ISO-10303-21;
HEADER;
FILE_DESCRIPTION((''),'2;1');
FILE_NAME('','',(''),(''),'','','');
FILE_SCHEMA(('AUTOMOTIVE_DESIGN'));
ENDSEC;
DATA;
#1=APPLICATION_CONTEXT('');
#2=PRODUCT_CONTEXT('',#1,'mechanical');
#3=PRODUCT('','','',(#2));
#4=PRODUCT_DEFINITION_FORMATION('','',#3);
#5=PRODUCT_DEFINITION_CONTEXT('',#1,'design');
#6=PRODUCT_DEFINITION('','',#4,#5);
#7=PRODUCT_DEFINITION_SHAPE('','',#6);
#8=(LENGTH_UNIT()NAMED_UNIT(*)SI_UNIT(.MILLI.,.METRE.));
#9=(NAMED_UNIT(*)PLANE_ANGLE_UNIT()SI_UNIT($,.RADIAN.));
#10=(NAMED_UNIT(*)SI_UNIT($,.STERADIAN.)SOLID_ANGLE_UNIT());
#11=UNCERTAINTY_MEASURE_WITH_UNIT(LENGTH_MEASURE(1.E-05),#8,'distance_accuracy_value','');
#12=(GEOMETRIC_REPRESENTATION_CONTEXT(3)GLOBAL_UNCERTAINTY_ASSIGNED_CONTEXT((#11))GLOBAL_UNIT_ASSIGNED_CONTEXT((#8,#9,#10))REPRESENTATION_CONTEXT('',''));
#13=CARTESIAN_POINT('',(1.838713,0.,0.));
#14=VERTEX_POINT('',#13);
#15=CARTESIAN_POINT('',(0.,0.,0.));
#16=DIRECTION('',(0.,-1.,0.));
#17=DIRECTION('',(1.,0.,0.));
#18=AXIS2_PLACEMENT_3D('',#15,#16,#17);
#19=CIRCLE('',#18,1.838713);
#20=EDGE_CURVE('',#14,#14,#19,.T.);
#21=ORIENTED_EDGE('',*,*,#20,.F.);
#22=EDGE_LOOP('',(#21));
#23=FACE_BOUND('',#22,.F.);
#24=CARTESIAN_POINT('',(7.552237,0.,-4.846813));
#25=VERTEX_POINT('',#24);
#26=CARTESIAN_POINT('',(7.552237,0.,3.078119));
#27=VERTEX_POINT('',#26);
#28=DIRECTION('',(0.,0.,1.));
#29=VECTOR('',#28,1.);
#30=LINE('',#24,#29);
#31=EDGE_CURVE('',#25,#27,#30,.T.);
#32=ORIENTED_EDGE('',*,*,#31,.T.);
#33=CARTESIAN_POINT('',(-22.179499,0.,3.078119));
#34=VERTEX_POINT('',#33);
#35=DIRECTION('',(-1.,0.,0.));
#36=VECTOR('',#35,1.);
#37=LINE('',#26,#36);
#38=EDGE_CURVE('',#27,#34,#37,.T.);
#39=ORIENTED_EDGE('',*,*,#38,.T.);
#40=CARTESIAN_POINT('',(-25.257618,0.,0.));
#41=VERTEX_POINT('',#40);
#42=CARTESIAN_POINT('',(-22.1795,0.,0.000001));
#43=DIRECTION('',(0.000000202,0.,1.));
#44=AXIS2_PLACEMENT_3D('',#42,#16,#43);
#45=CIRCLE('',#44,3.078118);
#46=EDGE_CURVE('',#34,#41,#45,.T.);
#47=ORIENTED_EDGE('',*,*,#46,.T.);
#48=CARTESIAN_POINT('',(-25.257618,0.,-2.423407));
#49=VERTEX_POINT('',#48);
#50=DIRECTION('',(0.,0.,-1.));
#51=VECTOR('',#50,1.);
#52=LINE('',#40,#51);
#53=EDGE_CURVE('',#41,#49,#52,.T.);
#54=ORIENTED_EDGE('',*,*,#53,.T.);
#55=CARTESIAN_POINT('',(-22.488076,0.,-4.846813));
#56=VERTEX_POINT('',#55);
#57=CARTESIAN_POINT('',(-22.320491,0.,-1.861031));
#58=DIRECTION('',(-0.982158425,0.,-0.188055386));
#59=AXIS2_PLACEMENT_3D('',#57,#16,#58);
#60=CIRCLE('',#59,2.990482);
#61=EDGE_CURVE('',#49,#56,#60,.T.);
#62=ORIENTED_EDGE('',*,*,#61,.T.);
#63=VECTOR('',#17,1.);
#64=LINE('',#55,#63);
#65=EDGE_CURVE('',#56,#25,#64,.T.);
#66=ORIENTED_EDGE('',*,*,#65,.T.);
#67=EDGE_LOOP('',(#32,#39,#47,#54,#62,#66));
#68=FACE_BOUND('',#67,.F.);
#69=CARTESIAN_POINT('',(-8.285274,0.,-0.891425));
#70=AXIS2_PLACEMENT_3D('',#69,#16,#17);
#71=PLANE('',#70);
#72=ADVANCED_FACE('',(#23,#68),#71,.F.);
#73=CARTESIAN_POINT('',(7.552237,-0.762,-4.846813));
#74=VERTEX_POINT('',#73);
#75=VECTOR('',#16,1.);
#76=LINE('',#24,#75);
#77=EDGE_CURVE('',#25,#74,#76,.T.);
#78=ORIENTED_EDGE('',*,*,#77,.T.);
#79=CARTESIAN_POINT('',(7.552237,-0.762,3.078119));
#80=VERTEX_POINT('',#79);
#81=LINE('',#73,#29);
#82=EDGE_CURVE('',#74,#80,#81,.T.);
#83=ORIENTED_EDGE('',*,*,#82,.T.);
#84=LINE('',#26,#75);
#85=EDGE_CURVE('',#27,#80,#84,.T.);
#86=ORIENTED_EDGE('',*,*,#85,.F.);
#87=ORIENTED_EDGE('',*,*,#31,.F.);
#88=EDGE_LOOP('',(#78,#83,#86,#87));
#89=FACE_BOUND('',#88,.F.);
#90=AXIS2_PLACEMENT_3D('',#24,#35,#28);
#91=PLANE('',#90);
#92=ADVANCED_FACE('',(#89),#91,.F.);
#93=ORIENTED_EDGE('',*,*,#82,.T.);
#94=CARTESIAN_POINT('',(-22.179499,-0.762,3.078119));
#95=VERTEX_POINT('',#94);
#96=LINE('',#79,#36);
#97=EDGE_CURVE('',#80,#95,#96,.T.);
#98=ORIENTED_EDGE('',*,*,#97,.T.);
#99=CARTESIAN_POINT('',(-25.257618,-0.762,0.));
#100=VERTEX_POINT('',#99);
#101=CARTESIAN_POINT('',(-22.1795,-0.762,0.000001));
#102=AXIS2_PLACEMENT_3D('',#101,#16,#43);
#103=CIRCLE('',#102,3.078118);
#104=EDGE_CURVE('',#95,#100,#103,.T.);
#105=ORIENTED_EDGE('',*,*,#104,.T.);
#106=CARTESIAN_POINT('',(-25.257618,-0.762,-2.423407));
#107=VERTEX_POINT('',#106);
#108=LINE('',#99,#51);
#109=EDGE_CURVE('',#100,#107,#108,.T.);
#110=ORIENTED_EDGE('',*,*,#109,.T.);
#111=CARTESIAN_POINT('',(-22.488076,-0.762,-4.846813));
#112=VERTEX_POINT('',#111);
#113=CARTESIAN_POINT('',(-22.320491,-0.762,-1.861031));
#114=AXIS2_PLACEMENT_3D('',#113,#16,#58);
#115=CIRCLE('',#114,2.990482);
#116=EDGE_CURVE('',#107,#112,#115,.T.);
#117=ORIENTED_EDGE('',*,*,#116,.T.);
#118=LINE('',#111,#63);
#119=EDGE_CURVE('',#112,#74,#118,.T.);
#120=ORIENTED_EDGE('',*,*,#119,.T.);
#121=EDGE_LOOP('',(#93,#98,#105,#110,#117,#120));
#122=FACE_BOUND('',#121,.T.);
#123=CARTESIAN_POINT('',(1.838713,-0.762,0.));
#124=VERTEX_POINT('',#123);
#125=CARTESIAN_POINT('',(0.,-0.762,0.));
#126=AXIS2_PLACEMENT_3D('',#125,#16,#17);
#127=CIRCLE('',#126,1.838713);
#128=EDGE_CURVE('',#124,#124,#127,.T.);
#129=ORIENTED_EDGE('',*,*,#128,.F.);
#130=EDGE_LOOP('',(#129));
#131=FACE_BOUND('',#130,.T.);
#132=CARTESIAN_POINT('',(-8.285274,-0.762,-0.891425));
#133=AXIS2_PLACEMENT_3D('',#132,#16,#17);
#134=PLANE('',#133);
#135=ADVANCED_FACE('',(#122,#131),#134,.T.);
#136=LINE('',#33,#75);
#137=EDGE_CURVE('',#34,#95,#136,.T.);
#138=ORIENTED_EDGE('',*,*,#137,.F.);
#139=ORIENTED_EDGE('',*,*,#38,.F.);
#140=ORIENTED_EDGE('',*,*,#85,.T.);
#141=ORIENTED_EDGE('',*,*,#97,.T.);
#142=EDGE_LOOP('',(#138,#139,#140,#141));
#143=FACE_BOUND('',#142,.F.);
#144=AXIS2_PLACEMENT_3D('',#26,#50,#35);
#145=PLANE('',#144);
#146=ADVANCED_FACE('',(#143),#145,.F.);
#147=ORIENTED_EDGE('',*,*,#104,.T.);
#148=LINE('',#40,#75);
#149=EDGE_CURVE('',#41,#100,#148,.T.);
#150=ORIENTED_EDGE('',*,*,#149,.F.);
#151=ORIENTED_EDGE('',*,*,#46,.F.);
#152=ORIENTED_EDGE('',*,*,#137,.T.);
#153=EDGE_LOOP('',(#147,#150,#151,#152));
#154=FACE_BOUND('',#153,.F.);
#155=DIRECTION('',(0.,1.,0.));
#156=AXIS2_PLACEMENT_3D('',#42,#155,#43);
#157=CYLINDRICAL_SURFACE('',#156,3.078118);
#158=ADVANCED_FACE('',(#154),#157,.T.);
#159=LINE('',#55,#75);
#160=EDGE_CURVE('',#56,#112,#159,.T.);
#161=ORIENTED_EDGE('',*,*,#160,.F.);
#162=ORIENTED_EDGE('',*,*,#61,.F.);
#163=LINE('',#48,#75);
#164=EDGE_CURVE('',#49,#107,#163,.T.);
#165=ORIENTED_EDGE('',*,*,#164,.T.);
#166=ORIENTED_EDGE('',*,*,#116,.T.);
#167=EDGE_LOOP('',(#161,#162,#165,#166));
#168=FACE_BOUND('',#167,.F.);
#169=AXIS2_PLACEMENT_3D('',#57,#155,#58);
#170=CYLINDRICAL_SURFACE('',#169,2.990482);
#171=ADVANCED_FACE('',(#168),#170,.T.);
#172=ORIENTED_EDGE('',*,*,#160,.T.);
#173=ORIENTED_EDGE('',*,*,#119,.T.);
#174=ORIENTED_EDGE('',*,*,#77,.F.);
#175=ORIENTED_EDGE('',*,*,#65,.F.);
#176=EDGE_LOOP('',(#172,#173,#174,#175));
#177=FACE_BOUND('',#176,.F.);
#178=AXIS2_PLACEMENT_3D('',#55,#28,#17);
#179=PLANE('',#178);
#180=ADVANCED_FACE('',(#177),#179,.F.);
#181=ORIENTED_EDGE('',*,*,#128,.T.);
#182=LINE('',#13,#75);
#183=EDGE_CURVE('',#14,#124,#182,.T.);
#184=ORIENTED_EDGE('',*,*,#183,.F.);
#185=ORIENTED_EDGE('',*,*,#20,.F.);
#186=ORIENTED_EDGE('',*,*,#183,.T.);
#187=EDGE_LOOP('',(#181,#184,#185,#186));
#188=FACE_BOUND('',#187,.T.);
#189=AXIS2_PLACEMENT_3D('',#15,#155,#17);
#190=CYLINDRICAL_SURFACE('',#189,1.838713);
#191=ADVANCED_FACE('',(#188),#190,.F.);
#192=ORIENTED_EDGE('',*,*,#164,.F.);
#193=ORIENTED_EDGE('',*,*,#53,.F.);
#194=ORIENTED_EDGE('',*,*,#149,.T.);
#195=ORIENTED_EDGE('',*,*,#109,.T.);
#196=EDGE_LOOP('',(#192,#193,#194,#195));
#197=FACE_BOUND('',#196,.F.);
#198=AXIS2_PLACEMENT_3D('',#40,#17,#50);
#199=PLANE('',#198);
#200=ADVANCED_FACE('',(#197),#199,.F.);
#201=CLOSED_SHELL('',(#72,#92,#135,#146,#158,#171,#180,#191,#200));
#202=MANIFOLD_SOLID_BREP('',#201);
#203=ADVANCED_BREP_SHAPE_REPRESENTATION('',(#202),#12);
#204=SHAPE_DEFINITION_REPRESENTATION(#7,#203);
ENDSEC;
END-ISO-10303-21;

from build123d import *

# Parameters (mm, degrees)
F0_R     = 1.838713
F1_DEPTH = 0.762


with BuildPart() as f1:
    # F0 (on Front) → F1 (new body)
    with BuildSketch(Plane.XZ):
        with BuildLine():
            Line((7.552237, 3.078119), (-22.179499, 3.078119))
            ThreePointArc((-22.179499, 3.078119), (-24.356058, 2.176559), (-25.257618, 0))
            Line((-25.257618, 0), (-25.257618, -2.423407))
            ThreePointArc((-25.257618, -2.423407), (-24.289763, -4.111575), (-22.488076, -4.846813))
            Line((-22.488076, -4.846813), (-22.152904, -4.846813))
            Line((-22.152904, -4.846813), (7.552237, -4.846813))
            Line((7.552237, -4.846813), (7.552237, 3.078119))
        make_face()
        Circle(F0_R, mode=Mode.SUBTRACT)
    extrude(amount=F1_DEPTH)


solid = f1.part
